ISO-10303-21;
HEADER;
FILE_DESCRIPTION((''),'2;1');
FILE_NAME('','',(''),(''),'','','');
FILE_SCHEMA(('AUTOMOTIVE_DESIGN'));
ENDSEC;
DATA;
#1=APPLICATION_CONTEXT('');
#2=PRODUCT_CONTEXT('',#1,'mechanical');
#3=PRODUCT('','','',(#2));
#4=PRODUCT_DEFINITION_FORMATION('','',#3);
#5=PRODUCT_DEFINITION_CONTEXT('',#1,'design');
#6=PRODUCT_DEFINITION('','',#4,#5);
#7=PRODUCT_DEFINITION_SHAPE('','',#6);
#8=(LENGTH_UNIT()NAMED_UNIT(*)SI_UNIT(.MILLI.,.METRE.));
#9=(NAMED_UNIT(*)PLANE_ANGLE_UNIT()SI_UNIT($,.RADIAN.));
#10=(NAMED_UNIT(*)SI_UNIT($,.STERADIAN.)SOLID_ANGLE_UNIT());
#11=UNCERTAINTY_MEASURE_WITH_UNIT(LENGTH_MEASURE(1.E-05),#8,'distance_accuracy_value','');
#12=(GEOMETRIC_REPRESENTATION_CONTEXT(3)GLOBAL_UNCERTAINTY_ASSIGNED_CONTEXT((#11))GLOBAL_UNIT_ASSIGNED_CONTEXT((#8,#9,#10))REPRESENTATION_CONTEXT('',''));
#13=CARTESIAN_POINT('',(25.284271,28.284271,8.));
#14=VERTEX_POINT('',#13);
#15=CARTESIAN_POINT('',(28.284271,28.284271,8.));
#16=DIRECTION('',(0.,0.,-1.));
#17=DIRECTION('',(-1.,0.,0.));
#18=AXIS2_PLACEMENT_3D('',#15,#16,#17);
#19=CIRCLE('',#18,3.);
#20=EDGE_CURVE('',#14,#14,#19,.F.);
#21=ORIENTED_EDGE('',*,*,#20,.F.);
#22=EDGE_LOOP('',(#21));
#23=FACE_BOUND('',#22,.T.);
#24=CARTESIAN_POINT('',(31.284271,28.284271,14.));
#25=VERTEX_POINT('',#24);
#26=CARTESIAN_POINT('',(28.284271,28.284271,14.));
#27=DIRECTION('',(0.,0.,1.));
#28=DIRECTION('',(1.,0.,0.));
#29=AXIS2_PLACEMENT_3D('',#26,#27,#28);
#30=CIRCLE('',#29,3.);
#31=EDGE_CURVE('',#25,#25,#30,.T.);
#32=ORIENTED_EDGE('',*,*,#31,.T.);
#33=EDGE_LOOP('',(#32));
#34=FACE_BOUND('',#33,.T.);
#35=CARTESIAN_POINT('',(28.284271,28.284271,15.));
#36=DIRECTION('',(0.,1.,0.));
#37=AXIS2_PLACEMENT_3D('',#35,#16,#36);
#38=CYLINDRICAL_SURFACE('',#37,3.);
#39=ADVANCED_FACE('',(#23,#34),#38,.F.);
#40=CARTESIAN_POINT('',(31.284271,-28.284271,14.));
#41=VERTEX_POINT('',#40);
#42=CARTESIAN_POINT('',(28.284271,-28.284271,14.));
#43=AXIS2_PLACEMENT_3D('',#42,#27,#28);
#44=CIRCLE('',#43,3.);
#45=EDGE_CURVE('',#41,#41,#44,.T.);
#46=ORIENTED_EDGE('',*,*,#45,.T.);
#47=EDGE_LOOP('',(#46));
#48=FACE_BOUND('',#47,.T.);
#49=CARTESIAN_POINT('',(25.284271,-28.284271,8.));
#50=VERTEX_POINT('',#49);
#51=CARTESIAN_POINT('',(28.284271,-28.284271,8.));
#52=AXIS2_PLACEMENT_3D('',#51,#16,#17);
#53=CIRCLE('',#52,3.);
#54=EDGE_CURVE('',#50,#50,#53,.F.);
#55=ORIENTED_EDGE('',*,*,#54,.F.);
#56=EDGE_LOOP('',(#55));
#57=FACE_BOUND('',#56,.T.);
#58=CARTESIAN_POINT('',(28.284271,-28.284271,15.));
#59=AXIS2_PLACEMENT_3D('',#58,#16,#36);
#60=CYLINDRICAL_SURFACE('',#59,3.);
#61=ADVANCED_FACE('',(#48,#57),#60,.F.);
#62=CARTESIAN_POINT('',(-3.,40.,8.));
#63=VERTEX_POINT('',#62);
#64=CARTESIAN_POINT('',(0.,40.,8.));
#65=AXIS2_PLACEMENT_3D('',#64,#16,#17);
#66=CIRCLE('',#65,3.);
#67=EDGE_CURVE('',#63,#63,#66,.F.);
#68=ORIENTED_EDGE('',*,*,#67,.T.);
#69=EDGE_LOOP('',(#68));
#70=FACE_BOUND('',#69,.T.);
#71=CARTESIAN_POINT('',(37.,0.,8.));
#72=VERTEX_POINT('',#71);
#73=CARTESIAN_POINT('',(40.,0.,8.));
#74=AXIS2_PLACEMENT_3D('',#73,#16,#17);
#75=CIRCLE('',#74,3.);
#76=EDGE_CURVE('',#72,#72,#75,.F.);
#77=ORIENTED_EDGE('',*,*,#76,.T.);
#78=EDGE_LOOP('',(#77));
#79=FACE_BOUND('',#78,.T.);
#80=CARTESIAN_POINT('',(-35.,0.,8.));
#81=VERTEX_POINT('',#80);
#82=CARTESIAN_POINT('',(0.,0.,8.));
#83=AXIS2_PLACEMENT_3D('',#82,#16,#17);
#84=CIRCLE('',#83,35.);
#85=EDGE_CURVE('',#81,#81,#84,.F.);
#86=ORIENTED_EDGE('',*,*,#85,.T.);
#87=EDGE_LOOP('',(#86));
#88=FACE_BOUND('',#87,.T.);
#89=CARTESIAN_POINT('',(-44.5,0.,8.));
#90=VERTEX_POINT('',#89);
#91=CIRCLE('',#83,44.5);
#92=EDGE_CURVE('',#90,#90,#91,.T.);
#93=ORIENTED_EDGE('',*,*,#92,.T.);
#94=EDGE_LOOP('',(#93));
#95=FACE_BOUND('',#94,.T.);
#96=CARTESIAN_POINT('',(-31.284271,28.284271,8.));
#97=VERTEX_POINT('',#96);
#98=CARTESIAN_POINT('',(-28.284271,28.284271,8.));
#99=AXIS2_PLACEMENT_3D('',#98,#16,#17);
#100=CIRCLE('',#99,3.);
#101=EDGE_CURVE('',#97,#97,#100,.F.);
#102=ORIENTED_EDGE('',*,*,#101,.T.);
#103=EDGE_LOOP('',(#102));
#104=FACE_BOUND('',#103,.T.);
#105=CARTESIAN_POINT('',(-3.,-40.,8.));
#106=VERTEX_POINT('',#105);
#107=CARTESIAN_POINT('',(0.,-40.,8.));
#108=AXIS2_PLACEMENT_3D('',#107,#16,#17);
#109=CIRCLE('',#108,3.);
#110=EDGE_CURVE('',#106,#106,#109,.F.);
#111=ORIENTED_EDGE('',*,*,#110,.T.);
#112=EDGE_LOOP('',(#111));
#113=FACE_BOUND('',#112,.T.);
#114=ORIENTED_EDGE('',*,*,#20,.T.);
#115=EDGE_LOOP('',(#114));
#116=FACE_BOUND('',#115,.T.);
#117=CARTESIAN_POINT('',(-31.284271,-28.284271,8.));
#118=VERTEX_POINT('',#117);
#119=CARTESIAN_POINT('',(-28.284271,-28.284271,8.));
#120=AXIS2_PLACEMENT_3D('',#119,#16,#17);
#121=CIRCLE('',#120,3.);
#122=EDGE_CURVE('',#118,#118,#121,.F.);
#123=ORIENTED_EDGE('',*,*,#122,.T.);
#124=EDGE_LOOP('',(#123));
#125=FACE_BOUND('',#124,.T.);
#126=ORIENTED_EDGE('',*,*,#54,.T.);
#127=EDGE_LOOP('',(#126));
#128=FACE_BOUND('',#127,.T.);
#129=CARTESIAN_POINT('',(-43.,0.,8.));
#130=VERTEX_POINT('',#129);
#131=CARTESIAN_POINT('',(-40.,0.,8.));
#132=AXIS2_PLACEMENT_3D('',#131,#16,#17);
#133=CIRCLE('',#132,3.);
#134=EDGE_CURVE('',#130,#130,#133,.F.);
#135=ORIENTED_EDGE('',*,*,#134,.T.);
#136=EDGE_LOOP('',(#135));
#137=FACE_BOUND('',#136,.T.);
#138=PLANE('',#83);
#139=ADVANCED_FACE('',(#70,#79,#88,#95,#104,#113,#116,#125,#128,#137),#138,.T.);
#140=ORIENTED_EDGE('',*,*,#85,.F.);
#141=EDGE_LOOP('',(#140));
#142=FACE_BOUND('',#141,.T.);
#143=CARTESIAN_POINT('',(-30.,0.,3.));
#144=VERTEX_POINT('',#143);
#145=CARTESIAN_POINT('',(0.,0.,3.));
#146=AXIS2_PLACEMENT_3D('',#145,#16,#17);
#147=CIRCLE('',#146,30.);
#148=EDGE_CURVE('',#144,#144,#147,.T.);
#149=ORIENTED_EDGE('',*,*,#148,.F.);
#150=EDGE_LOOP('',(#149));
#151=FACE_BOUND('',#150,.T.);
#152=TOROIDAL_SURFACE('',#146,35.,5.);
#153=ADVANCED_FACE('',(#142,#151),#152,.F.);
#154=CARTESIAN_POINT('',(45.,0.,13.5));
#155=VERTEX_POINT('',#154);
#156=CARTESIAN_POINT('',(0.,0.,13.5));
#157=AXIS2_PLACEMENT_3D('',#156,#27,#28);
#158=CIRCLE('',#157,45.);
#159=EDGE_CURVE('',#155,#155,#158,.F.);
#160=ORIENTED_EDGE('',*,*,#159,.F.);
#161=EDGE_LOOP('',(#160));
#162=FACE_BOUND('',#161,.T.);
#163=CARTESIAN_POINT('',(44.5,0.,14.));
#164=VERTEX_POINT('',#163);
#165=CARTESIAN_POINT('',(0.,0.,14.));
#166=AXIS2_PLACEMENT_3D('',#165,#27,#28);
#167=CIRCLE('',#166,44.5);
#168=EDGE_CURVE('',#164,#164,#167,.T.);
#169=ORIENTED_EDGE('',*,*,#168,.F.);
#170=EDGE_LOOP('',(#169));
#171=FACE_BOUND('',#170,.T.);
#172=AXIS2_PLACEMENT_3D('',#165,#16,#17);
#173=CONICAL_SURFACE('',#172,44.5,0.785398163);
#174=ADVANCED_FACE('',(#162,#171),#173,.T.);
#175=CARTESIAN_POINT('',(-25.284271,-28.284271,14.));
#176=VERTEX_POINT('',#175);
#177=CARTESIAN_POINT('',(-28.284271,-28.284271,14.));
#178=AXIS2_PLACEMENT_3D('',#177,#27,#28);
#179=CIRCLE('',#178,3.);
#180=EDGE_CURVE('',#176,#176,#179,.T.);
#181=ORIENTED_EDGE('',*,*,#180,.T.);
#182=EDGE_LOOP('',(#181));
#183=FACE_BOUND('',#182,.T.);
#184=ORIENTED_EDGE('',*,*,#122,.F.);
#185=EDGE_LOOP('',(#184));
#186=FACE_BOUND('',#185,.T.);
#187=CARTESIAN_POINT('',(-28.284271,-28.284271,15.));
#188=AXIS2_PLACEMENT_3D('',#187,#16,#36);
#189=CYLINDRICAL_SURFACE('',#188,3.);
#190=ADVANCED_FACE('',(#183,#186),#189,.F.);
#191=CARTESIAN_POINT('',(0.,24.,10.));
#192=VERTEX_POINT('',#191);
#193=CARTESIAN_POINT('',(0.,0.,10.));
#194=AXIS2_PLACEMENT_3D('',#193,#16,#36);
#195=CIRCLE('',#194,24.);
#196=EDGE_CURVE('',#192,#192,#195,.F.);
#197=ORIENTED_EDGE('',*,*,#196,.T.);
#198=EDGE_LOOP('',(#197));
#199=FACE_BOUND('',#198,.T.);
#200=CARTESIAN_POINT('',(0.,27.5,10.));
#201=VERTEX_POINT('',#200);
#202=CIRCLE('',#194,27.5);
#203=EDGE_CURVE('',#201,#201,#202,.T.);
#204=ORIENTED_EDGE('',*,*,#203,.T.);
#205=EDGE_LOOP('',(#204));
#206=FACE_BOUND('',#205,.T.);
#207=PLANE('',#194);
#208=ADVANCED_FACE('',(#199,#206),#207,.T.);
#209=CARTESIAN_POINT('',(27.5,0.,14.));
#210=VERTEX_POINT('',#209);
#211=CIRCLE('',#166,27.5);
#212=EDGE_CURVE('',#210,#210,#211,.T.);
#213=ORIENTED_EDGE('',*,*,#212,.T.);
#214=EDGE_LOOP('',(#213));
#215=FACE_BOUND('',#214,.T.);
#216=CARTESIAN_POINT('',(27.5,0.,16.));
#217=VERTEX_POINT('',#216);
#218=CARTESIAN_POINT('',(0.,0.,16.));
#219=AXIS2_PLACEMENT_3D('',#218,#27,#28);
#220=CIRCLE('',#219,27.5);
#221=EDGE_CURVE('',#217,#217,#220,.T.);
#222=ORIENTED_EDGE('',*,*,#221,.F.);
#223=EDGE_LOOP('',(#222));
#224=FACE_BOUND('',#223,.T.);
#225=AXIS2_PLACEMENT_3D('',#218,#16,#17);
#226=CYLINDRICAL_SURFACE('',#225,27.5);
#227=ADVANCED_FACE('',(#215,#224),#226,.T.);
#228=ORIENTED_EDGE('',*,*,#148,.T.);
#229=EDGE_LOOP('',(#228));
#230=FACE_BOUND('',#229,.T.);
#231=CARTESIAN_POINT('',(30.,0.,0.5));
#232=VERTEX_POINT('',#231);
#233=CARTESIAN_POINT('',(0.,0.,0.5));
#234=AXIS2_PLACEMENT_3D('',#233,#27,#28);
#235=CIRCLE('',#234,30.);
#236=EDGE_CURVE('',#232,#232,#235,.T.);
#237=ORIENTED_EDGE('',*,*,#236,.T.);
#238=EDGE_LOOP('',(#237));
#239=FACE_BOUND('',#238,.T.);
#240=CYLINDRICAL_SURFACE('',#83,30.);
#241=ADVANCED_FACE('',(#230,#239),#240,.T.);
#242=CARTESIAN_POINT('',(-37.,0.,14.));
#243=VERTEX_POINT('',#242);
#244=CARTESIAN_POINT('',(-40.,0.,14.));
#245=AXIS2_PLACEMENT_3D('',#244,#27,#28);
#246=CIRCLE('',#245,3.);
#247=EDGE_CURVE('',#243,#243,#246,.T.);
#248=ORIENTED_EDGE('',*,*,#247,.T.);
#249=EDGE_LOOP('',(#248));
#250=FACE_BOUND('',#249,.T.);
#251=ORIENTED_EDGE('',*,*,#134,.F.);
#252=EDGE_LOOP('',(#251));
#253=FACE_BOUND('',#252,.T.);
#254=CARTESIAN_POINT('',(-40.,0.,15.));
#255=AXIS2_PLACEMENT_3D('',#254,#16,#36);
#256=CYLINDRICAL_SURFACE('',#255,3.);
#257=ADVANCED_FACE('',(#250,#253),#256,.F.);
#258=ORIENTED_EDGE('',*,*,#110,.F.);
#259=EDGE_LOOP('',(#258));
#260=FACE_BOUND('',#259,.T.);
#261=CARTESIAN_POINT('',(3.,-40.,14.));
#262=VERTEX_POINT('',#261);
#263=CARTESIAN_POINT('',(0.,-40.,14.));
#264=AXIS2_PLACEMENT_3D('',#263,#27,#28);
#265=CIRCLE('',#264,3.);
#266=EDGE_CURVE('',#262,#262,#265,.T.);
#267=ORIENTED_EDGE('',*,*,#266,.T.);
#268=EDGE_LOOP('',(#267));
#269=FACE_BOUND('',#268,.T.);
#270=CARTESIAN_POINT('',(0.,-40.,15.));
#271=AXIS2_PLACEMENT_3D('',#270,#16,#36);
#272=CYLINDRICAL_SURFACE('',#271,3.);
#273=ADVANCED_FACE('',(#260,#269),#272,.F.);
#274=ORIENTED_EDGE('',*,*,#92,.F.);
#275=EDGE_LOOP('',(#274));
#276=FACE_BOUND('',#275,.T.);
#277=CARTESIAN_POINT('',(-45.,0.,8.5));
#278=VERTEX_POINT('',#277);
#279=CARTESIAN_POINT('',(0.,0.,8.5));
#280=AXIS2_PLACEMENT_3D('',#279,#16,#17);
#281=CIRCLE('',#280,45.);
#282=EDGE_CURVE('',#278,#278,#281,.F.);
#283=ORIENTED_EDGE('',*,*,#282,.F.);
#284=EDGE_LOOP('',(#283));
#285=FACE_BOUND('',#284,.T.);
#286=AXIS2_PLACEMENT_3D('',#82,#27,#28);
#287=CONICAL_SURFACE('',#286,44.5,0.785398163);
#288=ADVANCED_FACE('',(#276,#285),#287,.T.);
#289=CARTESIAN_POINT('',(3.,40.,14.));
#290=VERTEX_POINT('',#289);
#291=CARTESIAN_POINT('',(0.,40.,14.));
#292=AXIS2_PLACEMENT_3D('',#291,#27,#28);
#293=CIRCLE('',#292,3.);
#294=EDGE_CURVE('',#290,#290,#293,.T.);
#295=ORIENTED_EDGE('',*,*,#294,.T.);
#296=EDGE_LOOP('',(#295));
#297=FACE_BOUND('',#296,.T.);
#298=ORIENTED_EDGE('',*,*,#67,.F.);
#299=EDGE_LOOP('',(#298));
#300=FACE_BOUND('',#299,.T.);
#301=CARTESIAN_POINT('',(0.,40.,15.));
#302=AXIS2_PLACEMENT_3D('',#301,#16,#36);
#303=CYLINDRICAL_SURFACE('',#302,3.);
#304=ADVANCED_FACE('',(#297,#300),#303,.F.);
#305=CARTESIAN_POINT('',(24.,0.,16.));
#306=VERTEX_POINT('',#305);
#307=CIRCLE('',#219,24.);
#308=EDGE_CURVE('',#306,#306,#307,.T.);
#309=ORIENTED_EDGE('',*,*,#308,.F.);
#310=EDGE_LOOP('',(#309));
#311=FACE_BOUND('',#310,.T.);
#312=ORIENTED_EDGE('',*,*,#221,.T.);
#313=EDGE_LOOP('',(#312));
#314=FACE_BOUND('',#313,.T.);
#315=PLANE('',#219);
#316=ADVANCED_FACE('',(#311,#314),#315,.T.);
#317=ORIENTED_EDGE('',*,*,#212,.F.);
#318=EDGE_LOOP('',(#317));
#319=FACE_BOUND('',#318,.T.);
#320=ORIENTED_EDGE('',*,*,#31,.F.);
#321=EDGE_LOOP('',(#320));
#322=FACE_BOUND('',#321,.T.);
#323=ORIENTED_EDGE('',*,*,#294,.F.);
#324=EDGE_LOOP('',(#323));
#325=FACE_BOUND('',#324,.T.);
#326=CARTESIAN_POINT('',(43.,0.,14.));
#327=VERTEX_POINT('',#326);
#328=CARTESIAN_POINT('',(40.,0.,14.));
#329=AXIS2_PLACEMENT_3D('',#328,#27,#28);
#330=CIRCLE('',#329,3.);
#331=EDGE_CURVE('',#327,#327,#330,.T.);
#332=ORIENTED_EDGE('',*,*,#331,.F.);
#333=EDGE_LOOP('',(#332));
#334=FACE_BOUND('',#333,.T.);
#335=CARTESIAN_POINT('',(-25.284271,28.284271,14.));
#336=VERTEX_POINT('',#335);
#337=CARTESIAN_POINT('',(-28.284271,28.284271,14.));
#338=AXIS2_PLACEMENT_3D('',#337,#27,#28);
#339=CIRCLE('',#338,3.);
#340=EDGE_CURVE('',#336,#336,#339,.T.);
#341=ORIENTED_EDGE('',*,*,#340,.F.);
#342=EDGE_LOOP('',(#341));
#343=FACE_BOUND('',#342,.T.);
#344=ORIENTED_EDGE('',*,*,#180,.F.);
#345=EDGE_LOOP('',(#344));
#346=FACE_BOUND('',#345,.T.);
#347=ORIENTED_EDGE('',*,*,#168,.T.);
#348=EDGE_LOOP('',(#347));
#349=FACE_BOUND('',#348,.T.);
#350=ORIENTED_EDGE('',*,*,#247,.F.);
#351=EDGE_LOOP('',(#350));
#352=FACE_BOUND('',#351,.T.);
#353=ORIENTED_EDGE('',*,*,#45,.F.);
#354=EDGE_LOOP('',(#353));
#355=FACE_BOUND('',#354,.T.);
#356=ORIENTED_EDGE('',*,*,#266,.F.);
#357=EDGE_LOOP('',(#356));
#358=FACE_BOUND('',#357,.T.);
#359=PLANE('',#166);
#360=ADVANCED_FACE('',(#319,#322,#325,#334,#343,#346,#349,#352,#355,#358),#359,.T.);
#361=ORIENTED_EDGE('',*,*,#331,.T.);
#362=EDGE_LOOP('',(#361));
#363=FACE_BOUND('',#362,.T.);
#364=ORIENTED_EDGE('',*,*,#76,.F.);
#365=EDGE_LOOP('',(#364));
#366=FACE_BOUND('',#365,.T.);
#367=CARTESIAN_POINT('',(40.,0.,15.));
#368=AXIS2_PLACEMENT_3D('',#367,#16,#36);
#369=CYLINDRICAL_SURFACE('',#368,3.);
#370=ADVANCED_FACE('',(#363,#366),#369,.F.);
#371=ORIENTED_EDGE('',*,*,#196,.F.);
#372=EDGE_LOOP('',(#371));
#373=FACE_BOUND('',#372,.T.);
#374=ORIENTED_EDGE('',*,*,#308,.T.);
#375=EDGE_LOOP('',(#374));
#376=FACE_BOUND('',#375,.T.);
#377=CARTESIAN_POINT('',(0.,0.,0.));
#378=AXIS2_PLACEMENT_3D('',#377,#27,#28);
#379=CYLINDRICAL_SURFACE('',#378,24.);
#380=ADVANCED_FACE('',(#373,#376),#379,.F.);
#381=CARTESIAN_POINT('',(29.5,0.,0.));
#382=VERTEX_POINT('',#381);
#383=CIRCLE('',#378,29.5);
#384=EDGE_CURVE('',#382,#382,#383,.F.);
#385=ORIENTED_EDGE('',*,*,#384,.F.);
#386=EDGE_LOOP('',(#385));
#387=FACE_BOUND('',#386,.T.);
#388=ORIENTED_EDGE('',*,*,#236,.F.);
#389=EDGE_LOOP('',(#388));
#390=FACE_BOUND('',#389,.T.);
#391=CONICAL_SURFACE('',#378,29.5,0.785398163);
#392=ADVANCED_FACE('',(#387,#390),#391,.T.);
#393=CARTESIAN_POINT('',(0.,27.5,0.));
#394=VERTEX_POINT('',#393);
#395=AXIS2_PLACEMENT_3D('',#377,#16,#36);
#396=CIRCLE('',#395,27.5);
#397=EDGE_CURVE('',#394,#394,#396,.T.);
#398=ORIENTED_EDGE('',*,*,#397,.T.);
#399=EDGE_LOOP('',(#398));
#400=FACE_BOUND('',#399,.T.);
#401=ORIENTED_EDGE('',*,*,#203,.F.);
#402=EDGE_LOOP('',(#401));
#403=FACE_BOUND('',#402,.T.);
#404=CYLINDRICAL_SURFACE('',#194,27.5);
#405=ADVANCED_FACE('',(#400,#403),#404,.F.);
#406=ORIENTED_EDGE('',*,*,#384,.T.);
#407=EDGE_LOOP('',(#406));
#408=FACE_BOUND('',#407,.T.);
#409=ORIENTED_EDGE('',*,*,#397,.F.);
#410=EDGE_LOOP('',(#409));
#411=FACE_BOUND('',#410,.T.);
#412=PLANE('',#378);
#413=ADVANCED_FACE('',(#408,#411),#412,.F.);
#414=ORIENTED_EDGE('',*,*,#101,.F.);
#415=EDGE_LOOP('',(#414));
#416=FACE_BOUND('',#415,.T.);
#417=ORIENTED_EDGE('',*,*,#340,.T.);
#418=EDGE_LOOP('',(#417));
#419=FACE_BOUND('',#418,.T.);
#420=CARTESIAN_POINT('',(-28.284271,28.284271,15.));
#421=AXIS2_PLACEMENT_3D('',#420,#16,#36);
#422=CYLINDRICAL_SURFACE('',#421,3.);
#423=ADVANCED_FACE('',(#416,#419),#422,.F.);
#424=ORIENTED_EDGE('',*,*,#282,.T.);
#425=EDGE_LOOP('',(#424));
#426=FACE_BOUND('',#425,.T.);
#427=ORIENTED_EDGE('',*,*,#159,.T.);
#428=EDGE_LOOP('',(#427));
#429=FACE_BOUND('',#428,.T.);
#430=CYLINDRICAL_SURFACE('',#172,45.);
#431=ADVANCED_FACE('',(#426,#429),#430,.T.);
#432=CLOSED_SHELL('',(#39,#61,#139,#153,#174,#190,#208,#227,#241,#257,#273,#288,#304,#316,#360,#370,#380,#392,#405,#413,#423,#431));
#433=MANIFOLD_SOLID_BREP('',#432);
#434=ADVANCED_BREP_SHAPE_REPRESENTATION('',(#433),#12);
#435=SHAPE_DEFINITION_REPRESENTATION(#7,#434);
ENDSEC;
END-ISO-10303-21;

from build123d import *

# Parameters (mm, degrees)
SKETCH_1_R          = 45
EXTRUDE_1_DEPTH     = 14
SKETCH_2_R          = 27.5
EXTRUDE_2_DEPTH     = 2
SKETCH_3_R          = 24
CUT_EXTRUDE_1_DEPTH = 66.620118866
SKETCH_4_R          = 3
CUT_EXTRUDE_2_DEPTH = 15
CHAMFER_1_SIZE      = 0.5
SKETCH_6_R          = 48.016847578
SKETCH_6_R_2        = 30
CUT_EXTRUDE_4_DEPTH = 8
CHAMFER_2_SIZE      = 0.5
SKETCH_7_R          = 27.5
CUT_EXTRUDE_7_DEPTH = 10
FILLET_1_R          = 5


with BuildPart() as part:
    # 草图1 → 拉伸1 (new body)
    with BuildSketch(Plane.XY):
        Circle(SKETCH_1_R)
    extrude(amount=EXTRUDE_1_DEPTH)

    # 草图2 → 拉伸2 (add)
    with BuildSketch(Plane.XY.offset(14)):
        Circle(SKETCH_2_R)
    extrude(amount=EXTRUDE_2_DEPTH)

    # 草图3 → 切除-拉伸1 (cut, through all)
    with BuildSketch(Plane.XY.offset(16)):
        Circle(SKETCH_3_R)
    extrude(amount=-CUT_EXTRUDE_1_DEPTH, mode=Mode.SUBTRACT)

    # 草图4 → 切除-拉伸2 (cut)
    with BuildSketch(Plane(origin=(0, 0, 0), x_dir=(-1, 0, 0), z_dir=(0, 0, -1))):
        with Locations(Location((0, 40, 0), (0, 0, 90))):
            Circle(SKETCH_4_R)
        with Locations(Location((28.284271247, 28.284271247, 0), (0, 0, 90))):
            Circle(SKETCH_4_R)
        with Locations(Location((40, 0, 0), (0, 0, 90))):
            Circle(SKETCH_4_R)
        with Locations(Location((28.284271247, -28.284271247, 0), (0, 0, 90))):
            Circle(SKETCH_4_R)
        with Locations(Location((0, -40, 0), (0, 0, 90))):
            Circle(SKETCH_4_R)
        with Locations(Location((-28.284271247, -28.284271247, 0), (0, 0, 90))):
            Circle(SKETCH_4_R)
        with Locations(Location((-40, 0, 0), (0, 0, 90))):
            Circle(SKETCH_4_R)
        with Locations(Location((-28.284271247, 28.284271247, 0), (0, 0, 90))):
            Circle(SKETCH_4_R)
    extrude(amount=-CUT_EXTRUDE_2_DEPTH, mode=Mode.SUBTRACT)

    # 倒角1
    chamfer_1_edges = [part.edges().sort_by_distance(p)[0] for p in [
        (-45, 0, 0),
        (-45, 0, 14),
    ]]
    chamfer(chamfer_1_edges, length=CHAMFER_1_SIZE)

    # 草图6 → 切除-拉伸4 (cut)
    with BuildSketch(Plane(origin=(0, 0, 0), x_dir=(-1, 0, 0), z_dir=(0, 0, -1))):
        Circle(SKETCH_6_R)
        Circle(SKETCH_6_R_2, mode=Mode.SUBTRACT)
    extrude(amount=-CUT_EXTRUDE_4_DEPTH, mode=Mode.SUBTRACT)

    # 倒角2
    chamfer_2_edges = [part.edges().sort_by_distance(p)[0] for p in [
        (-45, 0, 8),
        (30, 0, 0),
    ]]
    chamfer(chamfer_2_edges, length=CHAMFER_2_SIZE)

    # 草图7 → 切除-拉伸7 (cut)
    with BuildSketch(Plane(origin=(0, 0, 0), x_dir=(-1, 0, 0), z_dir=(0, 0, -1))):
        with Locations(Location((0, 0, 0), (0, 0, 180))):
            Circle(SKETCH_7_R)
    extrude(amount=-CUT_EXTRUDE_7_DEPTH, mode=Mode.SUBTRACT)

    # 圆角1
    fillet_1_edges = [part.edges().sort_by_distance(p)[0] for p in [
        (30, 0, 8),
    ]]
    fillet(fillet_1_edges, radius=FILLET_1_R)


solid = part.part
